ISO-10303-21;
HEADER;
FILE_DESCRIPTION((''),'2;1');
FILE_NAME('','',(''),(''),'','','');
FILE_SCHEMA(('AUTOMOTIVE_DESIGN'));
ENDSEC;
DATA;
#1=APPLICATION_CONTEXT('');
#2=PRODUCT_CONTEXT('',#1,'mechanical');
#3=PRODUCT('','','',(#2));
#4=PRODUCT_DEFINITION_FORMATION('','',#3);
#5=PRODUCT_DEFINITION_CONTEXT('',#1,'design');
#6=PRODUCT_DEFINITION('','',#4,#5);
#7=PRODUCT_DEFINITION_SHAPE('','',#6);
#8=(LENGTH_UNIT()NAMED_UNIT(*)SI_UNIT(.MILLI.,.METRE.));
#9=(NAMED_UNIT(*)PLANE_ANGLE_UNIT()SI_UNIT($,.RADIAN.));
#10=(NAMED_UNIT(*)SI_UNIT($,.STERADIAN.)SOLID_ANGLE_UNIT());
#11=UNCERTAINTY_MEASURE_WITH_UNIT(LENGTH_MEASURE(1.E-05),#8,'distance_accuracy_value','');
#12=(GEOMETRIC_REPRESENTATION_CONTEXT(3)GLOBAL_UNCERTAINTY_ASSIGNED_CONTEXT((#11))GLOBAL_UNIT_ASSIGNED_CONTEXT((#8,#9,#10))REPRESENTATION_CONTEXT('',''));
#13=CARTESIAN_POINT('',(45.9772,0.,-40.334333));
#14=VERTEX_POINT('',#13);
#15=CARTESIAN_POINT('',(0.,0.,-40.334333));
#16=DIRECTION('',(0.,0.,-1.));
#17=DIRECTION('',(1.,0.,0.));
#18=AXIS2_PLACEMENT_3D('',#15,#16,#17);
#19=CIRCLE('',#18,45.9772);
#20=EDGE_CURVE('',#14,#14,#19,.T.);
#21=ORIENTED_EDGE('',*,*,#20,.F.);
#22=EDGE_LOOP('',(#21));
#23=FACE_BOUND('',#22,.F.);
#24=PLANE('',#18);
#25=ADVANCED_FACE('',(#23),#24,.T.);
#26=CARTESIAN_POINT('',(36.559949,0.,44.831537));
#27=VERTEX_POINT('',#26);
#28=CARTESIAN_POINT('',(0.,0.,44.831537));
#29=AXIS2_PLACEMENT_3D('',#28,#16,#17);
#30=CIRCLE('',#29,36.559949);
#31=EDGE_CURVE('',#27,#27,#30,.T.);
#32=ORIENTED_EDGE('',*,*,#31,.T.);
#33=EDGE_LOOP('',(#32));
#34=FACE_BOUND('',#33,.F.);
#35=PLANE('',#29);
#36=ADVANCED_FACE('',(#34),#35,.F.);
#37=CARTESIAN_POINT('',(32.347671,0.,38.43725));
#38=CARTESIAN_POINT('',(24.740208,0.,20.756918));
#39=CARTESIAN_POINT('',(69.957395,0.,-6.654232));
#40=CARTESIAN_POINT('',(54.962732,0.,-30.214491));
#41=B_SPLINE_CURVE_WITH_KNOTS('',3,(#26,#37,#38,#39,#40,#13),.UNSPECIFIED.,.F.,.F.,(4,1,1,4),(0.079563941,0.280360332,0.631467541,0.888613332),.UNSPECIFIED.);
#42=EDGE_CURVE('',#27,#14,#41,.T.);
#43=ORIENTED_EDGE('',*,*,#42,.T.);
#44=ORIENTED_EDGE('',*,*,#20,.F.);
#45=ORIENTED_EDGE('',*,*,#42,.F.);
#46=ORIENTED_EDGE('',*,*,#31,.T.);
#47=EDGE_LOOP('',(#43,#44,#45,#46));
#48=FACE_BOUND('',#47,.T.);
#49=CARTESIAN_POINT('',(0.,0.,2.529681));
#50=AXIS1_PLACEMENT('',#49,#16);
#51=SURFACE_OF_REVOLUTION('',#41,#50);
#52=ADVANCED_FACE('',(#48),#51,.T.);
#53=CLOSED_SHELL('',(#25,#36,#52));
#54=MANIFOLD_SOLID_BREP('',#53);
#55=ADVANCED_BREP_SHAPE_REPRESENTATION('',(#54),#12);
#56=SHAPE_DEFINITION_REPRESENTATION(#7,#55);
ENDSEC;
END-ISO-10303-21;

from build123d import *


with BuildPart() as f1:
    # F0 (on Front) → F1 (revolve)
    with BuildSketch(Plane.XZ):
        with BuildLine():
            add(Edge.make_bspline(
                [(36.5599485837, 44.8315367103), (32.3476713562, 38.4372495772), (24.7402078545, 20.7569176846), (69.9573948085, -6.6542318711), (54.9627323665, -30.2144913393), (45.9771997857, -40.3343327343)],
                knots=[0.079563941, 0.079563941, 0.079563941, 0.079563941, 0.2803603321, 0.6314675413, 0.8886133321, 0.8886133321, 0.8886133321, 0.8886133321], degree=3))
            Line((36.5599485837, 44.8315367103), (0, 44.8315367103))
            Line((0, 44.8315367103), (0, -40.3343327343))
            Line((0, -40.3343327343), (45.9771997857, -40.3343327343))
        make_face()
    revolve(axis=Axis((0, 0, 2.5296807289), (0, 0, -1)))


solid = f1.part
